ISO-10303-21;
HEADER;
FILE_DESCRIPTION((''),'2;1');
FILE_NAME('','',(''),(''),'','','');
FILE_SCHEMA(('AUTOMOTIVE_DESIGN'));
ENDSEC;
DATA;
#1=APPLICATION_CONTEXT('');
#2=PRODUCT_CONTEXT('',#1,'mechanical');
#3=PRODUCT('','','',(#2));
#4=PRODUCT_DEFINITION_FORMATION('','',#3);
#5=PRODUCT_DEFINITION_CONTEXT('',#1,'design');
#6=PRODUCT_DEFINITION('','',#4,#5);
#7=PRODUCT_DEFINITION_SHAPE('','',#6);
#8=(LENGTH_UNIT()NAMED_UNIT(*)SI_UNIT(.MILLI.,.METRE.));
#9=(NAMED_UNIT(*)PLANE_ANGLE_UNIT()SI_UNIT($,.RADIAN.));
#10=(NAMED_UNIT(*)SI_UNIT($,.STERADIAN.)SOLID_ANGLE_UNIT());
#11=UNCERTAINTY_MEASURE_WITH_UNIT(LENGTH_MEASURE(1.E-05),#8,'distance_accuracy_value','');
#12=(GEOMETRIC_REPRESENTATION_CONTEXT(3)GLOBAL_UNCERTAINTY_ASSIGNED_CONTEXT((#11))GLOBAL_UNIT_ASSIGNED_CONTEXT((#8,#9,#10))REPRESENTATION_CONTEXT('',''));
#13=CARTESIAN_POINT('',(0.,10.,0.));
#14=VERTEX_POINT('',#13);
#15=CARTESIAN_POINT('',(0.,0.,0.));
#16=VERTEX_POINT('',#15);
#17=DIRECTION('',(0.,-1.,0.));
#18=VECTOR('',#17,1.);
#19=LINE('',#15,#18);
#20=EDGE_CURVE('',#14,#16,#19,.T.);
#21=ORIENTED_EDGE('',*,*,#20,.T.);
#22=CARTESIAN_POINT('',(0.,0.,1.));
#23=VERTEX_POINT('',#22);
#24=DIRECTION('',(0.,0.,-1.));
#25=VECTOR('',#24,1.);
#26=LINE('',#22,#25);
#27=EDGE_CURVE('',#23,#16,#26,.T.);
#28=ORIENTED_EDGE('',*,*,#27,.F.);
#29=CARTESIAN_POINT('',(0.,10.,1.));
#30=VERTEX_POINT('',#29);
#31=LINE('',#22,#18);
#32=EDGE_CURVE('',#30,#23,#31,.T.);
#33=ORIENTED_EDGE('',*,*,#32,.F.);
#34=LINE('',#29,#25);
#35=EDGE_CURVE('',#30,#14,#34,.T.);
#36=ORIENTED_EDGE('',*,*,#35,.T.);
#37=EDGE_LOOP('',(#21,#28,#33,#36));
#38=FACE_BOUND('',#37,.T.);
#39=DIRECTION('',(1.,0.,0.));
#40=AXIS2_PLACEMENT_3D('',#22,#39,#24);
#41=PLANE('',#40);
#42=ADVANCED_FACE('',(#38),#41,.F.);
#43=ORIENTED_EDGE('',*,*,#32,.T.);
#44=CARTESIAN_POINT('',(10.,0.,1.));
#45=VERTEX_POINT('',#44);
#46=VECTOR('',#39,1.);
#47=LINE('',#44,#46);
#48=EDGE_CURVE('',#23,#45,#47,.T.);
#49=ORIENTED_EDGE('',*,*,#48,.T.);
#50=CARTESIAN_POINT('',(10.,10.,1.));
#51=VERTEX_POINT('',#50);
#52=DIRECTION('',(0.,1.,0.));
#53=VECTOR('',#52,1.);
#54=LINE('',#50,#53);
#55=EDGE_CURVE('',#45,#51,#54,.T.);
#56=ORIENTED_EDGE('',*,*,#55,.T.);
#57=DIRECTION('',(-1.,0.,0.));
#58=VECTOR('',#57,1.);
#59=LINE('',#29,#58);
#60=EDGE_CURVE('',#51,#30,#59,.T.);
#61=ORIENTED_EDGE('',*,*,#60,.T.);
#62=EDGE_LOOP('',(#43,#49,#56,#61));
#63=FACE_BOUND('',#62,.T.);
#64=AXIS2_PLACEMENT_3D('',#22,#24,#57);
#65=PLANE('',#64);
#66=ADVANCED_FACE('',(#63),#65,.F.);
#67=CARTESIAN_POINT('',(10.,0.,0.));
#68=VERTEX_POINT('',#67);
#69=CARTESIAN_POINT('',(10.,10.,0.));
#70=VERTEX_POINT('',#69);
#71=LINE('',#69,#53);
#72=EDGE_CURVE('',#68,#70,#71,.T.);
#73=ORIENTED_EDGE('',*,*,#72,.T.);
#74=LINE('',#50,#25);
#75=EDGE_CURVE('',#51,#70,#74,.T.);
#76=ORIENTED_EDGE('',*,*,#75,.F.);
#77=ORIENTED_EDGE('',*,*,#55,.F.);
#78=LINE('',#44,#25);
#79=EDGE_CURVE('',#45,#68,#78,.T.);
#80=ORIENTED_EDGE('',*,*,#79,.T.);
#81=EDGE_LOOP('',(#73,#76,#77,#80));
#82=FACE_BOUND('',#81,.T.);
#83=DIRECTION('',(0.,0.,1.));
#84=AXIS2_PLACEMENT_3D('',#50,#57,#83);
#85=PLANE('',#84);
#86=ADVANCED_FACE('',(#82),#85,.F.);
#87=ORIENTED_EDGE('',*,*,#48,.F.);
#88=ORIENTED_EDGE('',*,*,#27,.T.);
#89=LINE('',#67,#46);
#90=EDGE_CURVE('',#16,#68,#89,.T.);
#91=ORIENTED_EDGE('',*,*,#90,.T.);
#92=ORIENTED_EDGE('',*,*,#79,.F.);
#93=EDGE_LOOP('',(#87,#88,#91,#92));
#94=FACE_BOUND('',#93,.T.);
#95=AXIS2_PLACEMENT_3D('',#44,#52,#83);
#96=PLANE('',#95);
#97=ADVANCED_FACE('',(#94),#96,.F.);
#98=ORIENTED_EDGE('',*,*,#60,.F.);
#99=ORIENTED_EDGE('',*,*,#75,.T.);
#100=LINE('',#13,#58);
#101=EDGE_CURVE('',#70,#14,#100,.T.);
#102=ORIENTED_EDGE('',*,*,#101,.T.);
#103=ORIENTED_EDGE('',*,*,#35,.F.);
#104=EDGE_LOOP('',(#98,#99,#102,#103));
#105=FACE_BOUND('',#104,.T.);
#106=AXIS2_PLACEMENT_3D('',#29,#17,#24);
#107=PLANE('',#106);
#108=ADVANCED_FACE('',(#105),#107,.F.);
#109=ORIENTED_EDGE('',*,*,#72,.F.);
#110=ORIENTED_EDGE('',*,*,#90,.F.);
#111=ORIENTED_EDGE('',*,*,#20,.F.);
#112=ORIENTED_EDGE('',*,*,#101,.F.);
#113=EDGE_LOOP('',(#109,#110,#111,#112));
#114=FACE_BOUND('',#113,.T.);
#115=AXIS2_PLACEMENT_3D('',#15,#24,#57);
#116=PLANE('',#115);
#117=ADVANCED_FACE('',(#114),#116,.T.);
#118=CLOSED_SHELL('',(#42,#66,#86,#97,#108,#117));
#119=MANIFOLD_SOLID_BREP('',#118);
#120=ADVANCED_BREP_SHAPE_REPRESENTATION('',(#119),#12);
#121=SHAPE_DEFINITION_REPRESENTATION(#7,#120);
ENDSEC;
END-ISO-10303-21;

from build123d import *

# Parameters (mm, degrees)
ESBO_O1_W                = 10
ESBO_O1_H                = 10
RESSALTO_EXTRUS_O1_DEPTH = 1


with BuildPart() as part:
    # Esboço1 → Ressalto-extrusão1 (new body)
    with BuildSketch(Plane.XY):
        with Locations((5, 5)):
            Rectangle(ESBO_O1_W, ESBO_O1_H)
    extrude(amount=RESSALTO_EXTRUS_O1_DEPTH)


solid = part.part
